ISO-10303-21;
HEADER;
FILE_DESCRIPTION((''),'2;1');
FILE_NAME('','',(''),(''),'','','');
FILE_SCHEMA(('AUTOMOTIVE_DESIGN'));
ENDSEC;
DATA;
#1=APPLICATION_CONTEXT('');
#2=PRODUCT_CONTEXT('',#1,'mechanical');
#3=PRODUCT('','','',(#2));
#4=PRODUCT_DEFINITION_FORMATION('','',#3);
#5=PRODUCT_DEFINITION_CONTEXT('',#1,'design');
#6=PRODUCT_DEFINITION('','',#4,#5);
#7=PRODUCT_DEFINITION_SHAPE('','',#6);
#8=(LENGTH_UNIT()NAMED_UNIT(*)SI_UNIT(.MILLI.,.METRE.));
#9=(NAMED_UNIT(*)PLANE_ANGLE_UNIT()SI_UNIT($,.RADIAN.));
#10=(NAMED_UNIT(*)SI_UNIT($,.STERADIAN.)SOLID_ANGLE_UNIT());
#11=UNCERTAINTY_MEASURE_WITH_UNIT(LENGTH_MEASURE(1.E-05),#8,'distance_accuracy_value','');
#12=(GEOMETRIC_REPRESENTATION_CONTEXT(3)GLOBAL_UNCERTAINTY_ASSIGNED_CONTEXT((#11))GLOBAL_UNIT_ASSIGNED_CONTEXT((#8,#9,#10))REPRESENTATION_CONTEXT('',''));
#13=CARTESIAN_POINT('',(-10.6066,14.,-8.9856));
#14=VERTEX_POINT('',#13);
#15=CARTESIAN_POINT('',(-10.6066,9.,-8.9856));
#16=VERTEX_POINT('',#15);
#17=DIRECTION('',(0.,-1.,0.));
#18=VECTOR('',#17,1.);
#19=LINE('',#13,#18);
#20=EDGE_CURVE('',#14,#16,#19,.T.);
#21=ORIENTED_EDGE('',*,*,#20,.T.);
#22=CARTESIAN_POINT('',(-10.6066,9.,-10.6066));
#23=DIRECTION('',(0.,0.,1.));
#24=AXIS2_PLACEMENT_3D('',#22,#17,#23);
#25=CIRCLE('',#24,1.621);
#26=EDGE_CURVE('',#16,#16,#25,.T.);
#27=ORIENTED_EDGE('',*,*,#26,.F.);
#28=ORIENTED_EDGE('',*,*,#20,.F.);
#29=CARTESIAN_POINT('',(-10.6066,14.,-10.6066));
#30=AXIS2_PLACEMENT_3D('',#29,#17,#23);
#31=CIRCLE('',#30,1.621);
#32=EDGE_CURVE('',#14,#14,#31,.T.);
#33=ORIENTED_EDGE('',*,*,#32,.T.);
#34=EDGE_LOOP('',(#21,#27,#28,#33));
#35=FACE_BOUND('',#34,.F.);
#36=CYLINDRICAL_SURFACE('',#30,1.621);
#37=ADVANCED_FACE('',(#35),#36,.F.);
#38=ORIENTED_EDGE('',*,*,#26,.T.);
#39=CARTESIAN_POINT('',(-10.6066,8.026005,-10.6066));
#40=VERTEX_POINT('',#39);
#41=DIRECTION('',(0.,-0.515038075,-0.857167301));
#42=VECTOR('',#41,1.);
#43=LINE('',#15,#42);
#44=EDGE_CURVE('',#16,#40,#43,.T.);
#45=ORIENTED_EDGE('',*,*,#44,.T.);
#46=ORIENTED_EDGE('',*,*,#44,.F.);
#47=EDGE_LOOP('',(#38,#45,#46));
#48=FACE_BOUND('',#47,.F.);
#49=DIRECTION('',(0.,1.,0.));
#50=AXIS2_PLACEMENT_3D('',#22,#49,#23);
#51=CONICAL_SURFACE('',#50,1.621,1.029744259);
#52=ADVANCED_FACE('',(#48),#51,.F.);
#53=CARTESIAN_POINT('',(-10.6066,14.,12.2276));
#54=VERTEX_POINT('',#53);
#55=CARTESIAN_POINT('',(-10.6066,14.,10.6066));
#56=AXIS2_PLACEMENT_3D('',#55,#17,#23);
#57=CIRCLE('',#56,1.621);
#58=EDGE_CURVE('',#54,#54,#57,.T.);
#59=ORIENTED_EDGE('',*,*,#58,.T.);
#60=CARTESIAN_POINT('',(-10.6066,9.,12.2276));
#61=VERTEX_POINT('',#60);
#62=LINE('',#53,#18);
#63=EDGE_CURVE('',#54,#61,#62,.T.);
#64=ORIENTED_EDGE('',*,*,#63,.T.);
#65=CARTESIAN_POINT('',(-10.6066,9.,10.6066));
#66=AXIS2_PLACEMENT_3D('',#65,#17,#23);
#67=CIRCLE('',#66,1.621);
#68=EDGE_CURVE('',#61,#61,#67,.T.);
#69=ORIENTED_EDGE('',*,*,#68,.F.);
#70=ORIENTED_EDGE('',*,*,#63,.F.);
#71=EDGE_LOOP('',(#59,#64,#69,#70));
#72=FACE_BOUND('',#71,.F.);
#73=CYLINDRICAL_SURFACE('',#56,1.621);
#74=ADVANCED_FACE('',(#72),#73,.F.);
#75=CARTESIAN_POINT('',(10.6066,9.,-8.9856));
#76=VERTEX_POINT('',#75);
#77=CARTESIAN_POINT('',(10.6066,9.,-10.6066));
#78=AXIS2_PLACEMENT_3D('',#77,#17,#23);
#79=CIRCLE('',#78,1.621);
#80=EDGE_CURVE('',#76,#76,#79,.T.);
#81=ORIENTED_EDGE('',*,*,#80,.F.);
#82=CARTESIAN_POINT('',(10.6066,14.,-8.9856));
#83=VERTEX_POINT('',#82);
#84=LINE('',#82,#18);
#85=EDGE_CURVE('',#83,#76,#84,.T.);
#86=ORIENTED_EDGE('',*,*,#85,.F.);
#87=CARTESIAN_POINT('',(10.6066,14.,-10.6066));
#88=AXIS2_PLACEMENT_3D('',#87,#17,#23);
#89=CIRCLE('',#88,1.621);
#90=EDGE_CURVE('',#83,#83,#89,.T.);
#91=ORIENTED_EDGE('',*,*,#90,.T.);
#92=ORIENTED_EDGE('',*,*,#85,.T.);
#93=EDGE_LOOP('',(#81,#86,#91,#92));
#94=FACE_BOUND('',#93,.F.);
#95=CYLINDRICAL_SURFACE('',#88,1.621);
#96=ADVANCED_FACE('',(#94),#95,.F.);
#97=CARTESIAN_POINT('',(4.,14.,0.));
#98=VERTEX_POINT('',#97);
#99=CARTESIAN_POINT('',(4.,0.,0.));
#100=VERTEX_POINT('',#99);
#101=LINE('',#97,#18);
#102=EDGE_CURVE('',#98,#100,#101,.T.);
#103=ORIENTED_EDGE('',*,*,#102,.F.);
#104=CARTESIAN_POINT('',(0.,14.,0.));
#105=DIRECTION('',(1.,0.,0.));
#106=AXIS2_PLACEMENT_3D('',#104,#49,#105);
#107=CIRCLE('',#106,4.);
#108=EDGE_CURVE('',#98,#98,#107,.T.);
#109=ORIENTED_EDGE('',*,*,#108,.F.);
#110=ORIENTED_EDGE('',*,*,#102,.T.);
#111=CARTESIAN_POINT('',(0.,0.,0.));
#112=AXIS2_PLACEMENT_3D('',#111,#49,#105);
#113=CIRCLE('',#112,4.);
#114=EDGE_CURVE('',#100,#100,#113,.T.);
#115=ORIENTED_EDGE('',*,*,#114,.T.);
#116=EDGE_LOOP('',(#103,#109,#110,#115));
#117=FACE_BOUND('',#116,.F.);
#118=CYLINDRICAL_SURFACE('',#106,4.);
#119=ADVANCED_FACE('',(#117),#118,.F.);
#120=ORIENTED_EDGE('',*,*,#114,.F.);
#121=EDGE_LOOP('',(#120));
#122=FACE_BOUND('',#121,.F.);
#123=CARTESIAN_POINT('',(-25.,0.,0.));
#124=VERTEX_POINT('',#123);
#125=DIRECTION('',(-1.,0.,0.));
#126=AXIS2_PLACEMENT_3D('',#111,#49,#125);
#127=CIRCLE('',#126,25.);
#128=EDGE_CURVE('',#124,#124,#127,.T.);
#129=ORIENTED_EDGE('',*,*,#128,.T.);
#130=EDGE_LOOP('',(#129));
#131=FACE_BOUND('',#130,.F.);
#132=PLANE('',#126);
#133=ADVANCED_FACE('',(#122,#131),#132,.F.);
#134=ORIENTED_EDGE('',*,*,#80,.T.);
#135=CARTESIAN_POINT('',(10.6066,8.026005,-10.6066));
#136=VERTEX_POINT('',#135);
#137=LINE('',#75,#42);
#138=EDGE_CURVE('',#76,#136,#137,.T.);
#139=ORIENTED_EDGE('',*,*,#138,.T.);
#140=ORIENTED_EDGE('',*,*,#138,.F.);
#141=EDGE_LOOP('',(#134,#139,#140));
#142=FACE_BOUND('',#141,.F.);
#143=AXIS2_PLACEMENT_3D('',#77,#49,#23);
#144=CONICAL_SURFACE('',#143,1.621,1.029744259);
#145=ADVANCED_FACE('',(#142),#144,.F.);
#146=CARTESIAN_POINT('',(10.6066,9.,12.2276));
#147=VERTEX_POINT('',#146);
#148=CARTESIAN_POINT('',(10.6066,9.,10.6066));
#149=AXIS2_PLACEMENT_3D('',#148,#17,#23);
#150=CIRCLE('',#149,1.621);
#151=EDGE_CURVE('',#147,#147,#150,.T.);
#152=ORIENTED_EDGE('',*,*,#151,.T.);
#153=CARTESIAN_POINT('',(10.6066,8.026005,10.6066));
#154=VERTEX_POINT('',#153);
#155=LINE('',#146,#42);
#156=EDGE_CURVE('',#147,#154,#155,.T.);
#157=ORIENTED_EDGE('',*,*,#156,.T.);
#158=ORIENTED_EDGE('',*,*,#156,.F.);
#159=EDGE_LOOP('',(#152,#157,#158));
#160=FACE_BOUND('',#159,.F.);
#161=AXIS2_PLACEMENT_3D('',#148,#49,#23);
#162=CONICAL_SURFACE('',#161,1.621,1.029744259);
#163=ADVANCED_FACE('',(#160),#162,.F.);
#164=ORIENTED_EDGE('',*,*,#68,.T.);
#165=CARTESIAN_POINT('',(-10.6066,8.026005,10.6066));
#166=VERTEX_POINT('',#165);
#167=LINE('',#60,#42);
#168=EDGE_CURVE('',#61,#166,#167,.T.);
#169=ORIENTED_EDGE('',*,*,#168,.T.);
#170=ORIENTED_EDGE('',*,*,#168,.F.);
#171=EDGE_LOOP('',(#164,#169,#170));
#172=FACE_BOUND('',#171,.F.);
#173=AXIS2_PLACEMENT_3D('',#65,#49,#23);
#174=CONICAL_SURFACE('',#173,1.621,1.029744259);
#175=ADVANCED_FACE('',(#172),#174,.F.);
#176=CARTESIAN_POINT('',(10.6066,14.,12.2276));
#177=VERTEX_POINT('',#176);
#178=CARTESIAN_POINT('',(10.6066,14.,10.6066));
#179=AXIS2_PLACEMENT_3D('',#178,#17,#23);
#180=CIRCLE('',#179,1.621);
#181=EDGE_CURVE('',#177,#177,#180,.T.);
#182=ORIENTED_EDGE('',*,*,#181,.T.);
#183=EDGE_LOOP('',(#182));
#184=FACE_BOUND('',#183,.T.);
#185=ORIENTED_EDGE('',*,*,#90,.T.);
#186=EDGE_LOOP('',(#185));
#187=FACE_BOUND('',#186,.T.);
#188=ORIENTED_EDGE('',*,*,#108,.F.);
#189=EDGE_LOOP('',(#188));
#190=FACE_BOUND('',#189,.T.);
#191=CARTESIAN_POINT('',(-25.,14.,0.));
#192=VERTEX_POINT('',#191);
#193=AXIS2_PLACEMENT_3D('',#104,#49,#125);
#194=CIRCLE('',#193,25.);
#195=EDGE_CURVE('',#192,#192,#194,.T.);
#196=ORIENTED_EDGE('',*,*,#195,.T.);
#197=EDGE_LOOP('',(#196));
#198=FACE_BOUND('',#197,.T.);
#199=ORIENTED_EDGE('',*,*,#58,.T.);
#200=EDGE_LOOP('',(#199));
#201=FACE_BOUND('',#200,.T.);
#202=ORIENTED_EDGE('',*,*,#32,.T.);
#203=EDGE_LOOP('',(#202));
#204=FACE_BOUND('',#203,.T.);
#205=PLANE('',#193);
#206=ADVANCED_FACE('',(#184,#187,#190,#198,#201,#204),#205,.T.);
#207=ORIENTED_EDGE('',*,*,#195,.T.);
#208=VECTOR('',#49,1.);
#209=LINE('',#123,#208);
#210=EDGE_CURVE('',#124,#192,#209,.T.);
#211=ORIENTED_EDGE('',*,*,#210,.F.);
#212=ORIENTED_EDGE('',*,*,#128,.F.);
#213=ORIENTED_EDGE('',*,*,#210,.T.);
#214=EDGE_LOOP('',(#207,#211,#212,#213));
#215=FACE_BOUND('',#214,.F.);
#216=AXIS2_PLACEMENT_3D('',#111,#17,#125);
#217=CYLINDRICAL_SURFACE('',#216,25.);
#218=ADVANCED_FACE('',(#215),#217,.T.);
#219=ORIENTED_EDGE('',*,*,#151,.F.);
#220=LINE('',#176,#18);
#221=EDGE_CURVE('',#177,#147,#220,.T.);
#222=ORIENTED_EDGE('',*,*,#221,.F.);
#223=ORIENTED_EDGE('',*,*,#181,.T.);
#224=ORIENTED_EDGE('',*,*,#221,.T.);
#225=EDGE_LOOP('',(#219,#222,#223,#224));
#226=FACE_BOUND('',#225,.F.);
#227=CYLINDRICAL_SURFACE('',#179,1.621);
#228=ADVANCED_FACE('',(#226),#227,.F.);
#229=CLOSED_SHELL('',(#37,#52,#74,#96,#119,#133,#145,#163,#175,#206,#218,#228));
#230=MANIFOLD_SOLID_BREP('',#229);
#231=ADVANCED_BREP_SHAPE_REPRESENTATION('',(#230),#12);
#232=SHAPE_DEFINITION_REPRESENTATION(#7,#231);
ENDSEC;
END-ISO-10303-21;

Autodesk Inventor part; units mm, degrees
ref_plane "YZ Plane" through (0, 0, 0) normal (1, 0, 0) x (0, 1, 0)
ref_plane "XZ Plane" through (0, 0, 0) normal (0, 1, 0) x (-1, 0, 0)
ref_plane "XY Plane" through (0, 0, 0) normal (0, 0, 1) x (1, 0, 0)
sketch "スケッチ5" plane through (0, 0, 0) normal (0, 1, 0) x (-1, 0, 0)
  circle A0 centre (0, 0) radius 25
  dimension "d23" = 50
extrude "押し出し2" add sketch "スケッチ5" along normal blind 14
sketch "スケッチ6" plane through (0, 14, 0) normal (0, 1, 0) x (1, 0, 0)
  circle A0 centre (0, 0) radius 4
  dimension "d26" = 8
extrude "押し出し3" cut sketch "スケッチ6" against normal blind 14
sketch "スケッチ7" plane through (0, 14, 0) normal (0, 1, 0) x (1, 0, 0)
  line L0 (0, 0) -> (10.6066, 10.6066)
  line L1 (0, 0) -> (15, 0) construction
  point P0 (-10.6066, 10.6066)
  point P1 (-10.6066, -10.6066)
  point P2 (10.6066, -10.6066)
  dimension "d29" = 15
  dimension "d30" = 45
  dimension "d33" = 360
hole "穴2" at (10.6066, 14, -10.6066) at (-10.6066, 14, -10.6066) at (-10.6066, 14, 10.6066) at (10.6066, 14, 10.6066) direction (0, -1, 0) diameter 3.242 depth 5 tip angle 118 thread size "M4x0.7" class "6H" standard "ISO Metric profile"
properties part number "Stator" material "ステンレス鋼"
